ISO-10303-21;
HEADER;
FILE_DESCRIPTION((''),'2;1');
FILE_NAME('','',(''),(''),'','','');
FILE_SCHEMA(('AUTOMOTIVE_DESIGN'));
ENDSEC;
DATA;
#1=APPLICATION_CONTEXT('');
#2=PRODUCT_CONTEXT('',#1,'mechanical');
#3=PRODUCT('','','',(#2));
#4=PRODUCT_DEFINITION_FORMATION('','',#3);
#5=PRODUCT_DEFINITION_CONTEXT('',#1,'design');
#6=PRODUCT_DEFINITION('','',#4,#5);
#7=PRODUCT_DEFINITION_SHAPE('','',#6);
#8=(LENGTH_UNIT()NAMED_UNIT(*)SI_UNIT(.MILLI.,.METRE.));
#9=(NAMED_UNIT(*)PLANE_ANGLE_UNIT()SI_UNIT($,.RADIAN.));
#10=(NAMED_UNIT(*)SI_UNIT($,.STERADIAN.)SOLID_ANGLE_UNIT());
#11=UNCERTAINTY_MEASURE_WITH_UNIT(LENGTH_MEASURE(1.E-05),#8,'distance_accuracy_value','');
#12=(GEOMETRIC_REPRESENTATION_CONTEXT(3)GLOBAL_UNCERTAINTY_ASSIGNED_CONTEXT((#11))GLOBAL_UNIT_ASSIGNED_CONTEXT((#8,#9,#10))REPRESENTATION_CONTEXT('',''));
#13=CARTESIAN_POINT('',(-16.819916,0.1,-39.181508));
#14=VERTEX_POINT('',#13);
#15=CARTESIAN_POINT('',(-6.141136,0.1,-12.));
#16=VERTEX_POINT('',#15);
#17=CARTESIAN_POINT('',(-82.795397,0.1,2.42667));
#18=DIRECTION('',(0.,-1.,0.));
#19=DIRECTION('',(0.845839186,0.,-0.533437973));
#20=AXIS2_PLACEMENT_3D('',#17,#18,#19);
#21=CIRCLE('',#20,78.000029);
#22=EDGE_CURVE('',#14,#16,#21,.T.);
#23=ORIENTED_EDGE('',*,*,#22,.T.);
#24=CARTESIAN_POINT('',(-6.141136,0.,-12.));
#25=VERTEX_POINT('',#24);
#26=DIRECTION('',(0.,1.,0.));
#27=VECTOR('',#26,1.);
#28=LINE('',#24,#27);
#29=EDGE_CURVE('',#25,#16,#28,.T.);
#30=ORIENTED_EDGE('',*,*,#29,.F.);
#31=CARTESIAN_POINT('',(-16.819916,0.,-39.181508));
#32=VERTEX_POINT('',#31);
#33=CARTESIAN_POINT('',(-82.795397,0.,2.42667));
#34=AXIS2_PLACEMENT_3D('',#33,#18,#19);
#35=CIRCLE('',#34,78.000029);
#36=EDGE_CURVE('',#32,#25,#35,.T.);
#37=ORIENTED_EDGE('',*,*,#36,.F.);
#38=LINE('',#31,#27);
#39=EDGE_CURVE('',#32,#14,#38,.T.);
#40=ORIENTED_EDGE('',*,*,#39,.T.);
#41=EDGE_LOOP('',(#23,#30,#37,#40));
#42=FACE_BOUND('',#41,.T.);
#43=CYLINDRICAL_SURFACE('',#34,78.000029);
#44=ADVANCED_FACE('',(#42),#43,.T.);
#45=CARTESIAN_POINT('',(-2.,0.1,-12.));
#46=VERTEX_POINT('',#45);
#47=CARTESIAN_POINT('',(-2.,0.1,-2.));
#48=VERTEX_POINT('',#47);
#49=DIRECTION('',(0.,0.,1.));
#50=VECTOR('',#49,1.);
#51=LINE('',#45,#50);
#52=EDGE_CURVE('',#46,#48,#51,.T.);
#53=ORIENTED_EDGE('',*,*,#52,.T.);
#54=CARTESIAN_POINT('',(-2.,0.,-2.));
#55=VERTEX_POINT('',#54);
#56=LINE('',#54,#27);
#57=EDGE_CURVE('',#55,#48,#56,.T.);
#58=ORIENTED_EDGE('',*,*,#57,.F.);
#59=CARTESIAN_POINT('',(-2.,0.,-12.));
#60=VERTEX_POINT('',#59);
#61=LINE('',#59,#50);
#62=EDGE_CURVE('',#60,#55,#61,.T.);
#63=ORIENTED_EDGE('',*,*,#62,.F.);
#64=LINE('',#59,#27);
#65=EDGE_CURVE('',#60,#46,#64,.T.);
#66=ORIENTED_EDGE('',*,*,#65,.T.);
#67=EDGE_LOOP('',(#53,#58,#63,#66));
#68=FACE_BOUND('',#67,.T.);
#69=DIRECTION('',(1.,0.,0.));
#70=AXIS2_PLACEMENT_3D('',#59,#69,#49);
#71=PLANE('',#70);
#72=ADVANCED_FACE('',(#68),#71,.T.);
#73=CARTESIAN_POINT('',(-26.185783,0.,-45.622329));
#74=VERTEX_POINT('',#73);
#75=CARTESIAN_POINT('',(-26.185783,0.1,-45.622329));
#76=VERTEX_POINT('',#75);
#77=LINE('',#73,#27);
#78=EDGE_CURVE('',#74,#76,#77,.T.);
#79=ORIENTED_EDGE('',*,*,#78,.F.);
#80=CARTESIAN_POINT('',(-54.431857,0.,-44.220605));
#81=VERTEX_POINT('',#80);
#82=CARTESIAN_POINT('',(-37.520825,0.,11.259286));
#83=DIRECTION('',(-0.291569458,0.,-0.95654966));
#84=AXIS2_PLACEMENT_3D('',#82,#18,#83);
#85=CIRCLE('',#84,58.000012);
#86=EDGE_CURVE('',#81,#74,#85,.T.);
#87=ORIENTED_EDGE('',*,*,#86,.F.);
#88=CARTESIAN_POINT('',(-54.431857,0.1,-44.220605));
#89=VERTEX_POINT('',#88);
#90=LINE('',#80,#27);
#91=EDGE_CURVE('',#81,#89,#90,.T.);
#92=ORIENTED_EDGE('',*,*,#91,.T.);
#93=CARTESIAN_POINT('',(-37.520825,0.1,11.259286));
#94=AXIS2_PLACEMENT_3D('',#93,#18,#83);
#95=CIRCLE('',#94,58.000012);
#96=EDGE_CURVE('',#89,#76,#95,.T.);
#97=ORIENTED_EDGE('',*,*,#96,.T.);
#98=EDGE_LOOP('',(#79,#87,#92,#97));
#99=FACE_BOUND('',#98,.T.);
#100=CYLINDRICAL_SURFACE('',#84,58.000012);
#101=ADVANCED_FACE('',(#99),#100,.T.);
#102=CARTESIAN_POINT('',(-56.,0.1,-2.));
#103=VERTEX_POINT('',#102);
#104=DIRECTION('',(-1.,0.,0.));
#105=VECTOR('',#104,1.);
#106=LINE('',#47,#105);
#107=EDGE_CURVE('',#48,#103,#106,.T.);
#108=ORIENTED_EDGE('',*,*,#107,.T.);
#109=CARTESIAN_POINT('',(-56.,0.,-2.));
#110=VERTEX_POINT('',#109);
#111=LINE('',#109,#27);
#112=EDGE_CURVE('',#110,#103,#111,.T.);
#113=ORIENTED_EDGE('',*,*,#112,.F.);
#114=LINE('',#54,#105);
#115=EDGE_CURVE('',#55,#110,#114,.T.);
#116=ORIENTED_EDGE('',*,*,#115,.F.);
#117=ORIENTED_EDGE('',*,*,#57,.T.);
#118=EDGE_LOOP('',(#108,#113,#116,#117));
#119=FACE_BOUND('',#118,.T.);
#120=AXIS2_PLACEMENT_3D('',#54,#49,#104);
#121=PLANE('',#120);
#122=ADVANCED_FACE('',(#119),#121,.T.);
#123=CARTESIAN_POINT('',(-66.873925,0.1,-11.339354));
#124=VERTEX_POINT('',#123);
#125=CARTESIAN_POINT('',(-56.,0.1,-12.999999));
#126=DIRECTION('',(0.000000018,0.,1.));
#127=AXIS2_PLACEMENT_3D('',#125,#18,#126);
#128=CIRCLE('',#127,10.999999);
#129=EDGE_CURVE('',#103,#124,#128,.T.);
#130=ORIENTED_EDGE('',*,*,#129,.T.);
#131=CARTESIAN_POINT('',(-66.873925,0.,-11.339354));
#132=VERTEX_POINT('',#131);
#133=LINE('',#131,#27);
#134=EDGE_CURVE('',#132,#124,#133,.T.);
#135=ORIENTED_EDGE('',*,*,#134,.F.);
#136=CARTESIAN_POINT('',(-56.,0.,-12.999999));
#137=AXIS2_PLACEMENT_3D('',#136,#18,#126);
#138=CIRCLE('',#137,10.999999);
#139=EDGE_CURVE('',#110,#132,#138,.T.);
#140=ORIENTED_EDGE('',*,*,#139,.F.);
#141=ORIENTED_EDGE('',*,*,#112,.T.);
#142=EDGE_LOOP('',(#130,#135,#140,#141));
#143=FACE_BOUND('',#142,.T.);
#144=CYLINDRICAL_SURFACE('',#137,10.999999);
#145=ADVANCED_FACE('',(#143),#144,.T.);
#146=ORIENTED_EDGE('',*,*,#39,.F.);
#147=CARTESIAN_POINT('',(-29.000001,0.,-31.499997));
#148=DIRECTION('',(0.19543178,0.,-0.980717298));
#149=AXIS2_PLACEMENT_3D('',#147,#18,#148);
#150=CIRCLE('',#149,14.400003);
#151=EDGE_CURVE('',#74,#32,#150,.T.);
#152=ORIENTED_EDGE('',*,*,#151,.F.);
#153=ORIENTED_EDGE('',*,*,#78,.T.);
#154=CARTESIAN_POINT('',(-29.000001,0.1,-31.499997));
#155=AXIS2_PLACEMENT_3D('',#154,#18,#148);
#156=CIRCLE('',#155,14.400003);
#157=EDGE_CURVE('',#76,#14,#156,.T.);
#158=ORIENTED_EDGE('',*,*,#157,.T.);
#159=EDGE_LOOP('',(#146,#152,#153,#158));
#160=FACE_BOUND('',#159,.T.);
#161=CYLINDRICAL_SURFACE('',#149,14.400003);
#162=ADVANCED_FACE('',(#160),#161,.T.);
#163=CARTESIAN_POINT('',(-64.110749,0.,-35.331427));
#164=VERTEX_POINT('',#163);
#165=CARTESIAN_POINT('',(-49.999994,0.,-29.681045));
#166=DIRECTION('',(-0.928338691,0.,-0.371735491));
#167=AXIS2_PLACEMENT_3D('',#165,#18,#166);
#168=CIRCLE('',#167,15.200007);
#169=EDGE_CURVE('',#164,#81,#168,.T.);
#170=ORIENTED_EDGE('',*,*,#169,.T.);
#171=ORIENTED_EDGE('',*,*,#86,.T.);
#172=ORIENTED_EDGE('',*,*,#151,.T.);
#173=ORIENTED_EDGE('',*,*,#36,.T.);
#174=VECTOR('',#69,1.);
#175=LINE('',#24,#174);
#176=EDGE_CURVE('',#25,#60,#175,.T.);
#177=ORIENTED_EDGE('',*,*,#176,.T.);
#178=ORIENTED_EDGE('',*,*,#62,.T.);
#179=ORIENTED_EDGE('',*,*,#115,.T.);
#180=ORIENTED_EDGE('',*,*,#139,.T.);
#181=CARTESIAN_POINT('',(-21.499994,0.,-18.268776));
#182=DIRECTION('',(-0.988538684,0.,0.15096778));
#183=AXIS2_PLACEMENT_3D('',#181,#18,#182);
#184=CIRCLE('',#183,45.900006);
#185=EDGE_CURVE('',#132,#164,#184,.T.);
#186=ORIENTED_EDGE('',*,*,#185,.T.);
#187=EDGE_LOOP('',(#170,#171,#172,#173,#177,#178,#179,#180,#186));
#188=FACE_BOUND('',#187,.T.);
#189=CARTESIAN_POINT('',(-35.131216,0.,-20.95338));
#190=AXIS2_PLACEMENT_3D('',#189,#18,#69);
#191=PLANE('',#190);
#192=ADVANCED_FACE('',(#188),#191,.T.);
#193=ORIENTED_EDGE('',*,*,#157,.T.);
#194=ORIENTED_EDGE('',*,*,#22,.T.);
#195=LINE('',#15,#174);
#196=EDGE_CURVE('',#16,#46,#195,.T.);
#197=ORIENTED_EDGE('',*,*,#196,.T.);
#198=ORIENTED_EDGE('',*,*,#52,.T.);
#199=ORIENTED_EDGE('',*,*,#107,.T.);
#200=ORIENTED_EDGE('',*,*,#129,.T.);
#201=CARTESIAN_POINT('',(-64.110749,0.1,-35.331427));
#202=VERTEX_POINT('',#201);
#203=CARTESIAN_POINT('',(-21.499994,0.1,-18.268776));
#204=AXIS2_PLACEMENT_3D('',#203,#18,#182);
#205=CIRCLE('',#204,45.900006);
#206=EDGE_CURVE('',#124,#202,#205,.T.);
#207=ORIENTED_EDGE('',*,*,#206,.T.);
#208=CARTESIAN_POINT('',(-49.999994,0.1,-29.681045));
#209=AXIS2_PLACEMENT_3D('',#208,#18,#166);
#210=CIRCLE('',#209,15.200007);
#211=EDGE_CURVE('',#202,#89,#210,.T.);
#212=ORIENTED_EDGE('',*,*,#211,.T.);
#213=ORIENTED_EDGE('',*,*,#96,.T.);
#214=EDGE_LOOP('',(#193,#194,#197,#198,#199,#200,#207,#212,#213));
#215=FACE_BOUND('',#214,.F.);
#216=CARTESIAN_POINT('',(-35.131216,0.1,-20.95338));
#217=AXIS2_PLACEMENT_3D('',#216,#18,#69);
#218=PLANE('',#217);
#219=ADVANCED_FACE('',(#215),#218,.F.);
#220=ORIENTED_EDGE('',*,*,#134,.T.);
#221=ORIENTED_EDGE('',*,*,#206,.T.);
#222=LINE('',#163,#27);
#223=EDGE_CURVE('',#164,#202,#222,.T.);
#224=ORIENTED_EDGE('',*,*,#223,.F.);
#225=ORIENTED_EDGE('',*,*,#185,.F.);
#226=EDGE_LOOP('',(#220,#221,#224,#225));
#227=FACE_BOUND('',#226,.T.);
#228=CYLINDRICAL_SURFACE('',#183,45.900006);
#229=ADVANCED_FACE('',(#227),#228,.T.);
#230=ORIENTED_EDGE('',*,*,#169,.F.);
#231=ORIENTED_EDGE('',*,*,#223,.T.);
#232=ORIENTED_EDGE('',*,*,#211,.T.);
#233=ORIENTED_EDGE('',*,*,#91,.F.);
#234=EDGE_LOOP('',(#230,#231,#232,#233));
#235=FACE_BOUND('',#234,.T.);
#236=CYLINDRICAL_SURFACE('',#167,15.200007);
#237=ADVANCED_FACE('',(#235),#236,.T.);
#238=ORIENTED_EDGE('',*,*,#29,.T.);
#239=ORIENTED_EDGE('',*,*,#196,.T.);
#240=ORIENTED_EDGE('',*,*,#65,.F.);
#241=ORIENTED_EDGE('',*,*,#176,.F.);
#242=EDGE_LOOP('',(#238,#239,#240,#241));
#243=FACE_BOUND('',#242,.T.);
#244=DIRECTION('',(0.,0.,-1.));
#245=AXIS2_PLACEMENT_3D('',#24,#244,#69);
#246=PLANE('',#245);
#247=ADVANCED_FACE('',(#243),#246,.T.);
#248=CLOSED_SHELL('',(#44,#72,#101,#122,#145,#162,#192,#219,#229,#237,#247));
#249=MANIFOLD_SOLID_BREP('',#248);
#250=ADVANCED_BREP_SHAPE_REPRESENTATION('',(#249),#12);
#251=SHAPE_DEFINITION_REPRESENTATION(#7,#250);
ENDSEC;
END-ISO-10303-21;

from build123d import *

# Parameters (mm, degrees)
F1_DEPTH = 0.1


with BuildPart() as f1:
    # F0 (on Front) → F1 (new body)
    with BuildSketch(Plane.XZ):
        with BuildLine():
            ThreePointArc((-56, -2), (-63.167039, -4.655328), (-66.873925, -11.339354))
            ThreePointArc((-66.873925, -11.339354), (-67.098581, -23.520382), (-64.110749, -35.331427))
            ThreePointArc((-64.110749, -35.331427), (-60.281606, -40.876074), (-54.431857, -44.220605))
            ThreePointArc((-54.431857, -44.220605), (-40.395564, -46.669439), (-26.185783, -45.622329))
            ThreePointArc((-26.185783, -45.622329), (-20.840447, -43.365146), (-16.819916, -39.181508))
            ThreePointArc((-16.819916, -39.181508), (-10.197054, -26.094991), (-6.141136, -12))
            Line((-6.141136, -12), (-2, -12))
            Line((-2, -12), (-2, -2))
            Line((-2, -2), (-56, -2))
        make_face()
    extrude(amount=-F1_DEPTH)


solid = f1.part
